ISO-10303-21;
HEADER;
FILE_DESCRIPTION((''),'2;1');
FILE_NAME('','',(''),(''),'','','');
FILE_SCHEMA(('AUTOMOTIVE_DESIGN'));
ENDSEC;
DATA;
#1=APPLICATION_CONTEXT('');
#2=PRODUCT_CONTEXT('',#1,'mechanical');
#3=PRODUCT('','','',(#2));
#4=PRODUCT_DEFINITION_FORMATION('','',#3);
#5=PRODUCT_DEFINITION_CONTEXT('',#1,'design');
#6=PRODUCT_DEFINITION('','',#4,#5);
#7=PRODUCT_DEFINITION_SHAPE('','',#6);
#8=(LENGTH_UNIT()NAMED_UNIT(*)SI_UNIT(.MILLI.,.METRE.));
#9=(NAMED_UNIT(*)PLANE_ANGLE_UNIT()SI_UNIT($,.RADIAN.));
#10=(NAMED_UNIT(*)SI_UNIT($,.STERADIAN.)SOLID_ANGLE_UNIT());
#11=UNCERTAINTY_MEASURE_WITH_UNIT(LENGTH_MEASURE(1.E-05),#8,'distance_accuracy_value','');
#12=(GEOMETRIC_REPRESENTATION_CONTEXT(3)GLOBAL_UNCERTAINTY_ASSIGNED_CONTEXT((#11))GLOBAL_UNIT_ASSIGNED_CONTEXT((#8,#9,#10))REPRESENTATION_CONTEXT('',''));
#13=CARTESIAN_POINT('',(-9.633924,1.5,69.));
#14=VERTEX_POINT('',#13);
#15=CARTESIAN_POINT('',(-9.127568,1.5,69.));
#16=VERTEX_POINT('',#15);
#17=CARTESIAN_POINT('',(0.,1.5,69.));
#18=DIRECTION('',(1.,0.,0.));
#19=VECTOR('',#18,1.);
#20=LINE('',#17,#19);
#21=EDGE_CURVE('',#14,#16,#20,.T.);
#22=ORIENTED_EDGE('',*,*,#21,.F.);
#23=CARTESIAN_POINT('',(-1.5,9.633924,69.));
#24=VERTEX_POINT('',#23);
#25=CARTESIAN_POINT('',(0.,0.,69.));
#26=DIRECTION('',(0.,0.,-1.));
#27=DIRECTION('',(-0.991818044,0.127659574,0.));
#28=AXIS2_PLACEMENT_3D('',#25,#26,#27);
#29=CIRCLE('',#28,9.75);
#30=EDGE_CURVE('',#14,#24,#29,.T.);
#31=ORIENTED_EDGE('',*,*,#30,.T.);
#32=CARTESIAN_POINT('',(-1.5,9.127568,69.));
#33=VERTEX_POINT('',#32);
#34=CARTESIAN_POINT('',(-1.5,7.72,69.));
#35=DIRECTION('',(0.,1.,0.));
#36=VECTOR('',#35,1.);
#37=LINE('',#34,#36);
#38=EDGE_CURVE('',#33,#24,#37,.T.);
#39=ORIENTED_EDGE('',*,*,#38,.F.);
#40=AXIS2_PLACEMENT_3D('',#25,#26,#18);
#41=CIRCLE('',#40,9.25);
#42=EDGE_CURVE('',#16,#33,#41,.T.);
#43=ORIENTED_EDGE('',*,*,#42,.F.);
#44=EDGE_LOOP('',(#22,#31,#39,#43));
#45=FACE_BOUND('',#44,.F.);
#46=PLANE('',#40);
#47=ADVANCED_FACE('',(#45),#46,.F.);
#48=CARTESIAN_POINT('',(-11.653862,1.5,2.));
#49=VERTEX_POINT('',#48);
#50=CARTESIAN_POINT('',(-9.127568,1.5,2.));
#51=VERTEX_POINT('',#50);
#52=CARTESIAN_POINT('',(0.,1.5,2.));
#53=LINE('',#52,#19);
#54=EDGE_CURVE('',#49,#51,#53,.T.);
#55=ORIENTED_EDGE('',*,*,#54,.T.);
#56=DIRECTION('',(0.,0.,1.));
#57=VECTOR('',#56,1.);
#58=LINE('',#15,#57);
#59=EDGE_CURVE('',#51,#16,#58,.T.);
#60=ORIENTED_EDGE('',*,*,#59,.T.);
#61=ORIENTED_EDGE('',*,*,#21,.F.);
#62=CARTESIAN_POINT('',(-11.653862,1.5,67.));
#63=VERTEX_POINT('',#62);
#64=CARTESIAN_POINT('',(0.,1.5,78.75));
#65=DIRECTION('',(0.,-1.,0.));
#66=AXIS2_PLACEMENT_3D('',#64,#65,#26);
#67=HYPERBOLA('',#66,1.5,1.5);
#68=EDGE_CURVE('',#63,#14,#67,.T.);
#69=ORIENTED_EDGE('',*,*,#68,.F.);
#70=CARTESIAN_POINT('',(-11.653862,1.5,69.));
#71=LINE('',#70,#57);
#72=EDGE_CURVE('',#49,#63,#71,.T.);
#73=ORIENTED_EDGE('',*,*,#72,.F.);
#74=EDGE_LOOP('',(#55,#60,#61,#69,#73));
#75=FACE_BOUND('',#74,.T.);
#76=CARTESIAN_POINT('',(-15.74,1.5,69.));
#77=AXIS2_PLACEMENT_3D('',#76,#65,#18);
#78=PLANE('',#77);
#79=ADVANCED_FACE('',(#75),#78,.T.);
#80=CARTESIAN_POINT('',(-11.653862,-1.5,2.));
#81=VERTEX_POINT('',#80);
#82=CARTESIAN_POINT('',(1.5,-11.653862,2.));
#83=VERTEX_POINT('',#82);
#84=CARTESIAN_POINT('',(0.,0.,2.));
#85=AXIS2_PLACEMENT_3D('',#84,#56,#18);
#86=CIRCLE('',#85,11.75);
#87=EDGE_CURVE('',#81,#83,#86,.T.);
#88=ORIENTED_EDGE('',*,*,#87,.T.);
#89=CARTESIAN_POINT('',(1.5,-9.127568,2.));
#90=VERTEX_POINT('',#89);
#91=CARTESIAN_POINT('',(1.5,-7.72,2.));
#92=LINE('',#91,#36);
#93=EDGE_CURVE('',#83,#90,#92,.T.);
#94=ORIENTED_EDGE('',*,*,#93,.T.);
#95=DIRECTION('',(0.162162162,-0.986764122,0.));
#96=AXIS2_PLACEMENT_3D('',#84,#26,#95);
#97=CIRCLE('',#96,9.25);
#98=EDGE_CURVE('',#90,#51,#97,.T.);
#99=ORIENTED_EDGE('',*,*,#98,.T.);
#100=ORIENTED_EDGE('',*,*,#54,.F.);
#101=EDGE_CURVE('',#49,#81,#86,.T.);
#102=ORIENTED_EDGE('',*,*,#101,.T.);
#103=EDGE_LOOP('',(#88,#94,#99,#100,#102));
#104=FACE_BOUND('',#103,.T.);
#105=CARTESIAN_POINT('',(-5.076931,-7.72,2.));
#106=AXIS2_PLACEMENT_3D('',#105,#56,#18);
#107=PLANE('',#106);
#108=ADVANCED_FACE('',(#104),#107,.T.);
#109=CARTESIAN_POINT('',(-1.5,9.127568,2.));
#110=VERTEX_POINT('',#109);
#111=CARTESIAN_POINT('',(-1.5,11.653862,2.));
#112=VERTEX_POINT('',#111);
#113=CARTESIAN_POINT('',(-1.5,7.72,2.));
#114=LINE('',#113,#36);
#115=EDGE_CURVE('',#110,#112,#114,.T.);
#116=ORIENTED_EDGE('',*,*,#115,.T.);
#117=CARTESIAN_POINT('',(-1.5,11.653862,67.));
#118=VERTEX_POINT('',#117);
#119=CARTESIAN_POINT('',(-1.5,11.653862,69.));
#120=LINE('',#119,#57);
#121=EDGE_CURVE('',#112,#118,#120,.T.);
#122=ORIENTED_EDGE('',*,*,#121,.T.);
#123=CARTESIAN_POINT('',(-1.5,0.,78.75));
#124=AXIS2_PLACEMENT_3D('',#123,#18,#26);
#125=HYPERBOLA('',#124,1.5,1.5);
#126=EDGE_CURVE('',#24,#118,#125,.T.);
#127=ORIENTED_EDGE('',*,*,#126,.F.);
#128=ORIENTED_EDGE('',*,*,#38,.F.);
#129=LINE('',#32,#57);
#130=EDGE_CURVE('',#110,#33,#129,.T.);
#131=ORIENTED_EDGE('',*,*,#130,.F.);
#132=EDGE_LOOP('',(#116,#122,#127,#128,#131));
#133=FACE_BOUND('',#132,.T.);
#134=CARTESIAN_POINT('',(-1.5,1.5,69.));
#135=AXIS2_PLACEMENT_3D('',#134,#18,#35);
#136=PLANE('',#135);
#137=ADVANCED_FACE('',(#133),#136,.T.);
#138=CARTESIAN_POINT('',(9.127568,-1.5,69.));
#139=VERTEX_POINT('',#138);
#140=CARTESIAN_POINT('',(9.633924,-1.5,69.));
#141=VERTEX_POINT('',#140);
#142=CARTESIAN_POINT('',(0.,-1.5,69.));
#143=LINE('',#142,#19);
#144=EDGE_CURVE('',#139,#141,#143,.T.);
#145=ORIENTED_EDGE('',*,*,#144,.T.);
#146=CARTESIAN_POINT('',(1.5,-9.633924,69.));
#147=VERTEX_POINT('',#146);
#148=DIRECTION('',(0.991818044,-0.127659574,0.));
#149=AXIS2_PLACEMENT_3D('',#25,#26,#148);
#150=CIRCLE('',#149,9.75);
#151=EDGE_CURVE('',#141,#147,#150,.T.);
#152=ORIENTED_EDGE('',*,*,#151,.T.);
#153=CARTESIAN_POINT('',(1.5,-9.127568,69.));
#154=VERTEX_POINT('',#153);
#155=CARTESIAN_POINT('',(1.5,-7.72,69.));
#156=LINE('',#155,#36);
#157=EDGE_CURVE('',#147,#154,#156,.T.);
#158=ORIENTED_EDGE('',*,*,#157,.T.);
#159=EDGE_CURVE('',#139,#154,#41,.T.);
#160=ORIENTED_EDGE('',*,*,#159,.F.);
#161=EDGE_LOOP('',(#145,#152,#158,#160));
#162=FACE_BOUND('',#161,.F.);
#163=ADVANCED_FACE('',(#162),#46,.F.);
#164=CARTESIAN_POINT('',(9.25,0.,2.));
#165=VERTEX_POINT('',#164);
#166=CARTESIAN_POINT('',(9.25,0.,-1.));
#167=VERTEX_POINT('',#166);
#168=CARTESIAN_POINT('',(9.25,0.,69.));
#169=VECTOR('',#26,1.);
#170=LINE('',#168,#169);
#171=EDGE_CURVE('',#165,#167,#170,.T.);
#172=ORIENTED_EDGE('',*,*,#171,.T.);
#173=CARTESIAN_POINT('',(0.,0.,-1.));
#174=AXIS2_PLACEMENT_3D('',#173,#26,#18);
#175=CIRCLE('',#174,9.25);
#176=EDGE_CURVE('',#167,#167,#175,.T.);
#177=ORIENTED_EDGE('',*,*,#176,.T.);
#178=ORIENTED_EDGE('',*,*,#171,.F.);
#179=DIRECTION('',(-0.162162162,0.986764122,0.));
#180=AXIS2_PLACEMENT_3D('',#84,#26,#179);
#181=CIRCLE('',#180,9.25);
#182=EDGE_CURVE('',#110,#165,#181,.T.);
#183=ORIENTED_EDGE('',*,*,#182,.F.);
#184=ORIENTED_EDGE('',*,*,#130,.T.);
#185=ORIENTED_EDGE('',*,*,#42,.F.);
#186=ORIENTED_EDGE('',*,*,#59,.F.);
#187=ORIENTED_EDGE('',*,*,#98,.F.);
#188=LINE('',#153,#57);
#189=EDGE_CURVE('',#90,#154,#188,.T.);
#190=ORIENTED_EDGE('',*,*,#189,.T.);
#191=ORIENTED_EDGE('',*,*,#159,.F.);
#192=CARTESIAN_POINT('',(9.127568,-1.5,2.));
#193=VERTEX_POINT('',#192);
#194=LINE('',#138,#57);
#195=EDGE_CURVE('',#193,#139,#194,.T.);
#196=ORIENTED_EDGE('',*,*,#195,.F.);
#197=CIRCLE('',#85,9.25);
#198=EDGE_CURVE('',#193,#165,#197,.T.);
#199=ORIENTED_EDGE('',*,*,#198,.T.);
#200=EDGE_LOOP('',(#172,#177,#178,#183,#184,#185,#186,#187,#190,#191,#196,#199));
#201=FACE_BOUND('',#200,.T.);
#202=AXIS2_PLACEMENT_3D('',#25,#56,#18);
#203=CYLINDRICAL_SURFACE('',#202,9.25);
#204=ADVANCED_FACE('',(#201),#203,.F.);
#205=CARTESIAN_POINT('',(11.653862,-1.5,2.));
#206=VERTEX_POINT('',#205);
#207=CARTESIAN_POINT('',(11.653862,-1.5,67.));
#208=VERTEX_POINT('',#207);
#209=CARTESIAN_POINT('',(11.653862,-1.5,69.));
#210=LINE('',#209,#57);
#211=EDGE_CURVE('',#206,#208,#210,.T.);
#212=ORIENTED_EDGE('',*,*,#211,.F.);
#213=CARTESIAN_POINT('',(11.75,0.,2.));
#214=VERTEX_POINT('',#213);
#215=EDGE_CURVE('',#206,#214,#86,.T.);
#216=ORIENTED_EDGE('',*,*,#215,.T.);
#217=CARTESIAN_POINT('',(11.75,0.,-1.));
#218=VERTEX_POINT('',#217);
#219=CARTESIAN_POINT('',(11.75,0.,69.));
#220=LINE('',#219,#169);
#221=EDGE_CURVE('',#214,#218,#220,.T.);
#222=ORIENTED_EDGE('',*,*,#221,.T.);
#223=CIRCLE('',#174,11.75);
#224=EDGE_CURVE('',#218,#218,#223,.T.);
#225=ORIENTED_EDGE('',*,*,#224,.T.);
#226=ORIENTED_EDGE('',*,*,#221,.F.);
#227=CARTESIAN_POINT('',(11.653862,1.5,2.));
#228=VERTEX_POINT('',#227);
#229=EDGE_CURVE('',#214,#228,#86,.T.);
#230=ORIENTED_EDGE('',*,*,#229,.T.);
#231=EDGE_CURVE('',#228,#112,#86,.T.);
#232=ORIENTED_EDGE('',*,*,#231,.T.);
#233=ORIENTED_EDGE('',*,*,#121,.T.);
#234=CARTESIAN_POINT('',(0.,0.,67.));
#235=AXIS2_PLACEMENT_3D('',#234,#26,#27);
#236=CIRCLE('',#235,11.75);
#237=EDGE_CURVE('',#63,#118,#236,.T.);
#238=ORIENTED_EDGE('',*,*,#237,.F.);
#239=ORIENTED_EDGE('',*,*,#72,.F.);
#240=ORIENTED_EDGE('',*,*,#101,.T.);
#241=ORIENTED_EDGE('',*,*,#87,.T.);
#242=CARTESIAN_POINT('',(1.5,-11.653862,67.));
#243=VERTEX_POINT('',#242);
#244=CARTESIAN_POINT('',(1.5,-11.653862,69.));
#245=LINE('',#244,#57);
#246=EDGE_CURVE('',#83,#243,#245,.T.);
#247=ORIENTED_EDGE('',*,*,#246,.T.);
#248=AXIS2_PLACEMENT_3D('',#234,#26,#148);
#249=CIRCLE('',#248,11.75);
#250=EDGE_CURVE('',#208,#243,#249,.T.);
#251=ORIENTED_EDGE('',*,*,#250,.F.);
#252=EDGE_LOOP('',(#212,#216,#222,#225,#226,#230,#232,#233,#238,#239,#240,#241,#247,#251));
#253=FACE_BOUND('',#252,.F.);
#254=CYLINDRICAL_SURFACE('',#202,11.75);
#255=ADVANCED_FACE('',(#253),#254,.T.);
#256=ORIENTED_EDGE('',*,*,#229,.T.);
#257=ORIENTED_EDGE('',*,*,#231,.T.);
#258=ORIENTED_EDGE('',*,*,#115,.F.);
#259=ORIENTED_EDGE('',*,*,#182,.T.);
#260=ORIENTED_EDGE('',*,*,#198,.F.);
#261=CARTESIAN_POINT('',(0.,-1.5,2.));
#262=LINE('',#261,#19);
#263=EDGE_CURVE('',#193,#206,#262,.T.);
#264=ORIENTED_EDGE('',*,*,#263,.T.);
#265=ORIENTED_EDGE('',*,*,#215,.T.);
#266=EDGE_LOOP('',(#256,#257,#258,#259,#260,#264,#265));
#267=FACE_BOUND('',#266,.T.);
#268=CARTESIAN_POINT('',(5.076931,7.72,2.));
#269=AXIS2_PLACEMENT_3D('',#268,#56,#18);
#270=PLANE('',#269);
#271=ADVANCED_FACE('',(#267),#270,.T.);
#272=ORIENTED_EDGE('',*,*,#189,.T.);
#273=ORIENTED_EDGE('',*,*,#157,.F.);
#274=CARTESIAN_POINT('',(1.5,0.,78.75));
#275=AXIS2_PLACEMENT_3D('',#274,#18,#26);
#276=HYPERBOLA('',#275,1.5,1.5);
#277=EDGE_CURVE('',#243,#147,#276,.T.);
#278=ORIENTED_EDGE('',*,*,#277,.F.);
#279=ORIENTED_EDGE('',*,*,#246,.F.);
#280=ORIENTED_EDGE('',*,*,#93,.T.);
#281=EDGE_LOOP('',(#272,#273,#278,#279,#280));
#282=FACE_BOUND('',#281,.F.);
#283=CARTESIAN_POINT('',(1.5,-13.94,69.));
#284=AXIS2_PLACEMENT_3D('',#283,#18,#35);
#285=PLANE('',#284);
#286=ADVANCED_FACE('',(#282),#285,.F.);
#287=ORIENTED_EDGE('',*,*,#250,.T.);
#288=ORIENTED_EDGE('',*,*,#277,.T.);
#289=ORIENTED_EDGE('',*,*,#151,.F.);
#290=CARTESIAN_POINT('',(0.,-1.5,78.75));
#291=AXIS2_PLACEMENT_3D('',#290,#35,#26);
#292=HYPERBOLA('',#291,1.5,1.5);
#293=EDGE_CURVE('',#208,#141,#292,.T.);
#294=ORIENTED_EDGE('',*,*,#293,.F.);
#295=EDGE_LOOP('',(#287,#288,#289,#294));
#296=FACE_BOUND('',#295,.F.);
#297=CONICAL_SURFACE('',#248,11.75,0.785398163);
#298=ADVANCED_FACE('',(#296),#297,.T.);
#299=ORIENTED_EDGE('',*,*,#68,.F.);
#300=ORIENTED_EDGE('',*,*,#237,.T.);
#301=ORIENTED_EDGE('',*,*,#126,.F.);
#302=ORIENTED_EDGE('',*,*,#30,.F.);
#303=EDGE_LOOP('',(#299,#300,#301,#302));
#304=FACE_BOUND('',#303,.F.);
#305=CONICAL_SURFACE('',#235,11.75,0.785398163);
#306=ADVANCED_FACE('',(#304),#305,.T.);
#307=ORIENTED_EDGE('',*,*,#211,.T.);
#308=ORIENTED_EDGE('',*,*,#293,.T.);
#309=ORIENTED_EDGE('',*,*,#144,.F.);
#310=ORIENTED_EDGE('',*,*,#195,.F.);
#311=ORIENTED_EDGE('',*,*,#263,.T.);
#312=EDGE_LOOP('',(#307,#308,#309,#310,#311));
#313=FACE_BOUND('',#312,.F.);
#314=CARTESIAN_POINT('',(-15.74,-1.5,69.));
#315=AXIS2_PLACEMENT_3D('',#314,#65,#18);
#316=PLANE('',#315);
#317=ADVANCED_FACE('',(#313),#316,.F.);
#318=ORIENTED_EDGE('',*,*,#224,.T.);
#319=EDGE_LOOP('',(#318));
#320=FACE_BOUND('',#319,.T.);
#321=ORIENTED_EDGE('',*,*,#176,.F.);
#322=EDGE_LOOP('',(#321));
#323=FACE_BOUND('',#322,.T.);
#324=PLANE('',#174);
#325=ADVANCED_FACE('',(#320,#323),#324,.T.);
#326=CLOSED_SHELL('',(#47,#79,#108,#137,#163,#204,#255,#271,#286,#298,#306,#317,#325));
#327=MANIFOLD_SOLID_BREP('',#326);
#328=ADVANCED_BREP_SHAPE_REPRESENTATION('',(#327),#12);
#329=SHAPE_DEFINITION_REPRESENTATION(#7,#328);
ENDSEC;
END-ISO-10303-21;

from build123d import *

# Parameters (mm, degrees)
SKETCH023_R             = 11.75
SKETCH023_R_2           = 9.25
PAD015_DEPTH            = 70
SKETCH025_W             = 31.48
SKETCH025_H             = 3
POCKET007_DEPTH         = 67
CHAMFER006_SIZE         = 2
SKETCH024_W             = 13.153862
SKETCH024_H             = 12.44
POCKET006_DEPTH         = 67
BODY013_PLACEMENT_ANGLE = 180


with BuildPart() as part:
    # Sketch023 → Pad015 (new body)
    with BuildSketch(Plane.XY):
        Circle(SKETCH023_R)
        Circle(SKETCH023_R_2, mode=Mode.SUBTRACT)
    extrude(amount=PAD015_DEPTH)

    # Sketch025 (on Face3 of Pad015) → Pocket007 (cut)
    with BuildSketch(Plane(origin=(0, 0, 0), x_dir=(1, 0, 0), z_dir=(0, 0, -1))):
        Rectangle(SKETCH025_W, SKETCH025_H)
    extrude(amount=-POCKET007_DEPTH, mode=Mode.SUBTRACT)

    # Chamfer006
    chamfer006_edges = [part.edges().sort_by_distance(p)[0] for p in [
        (0, 11.75, 0),
        (0, -11.75, 0),
    ]]
    chamfer(chamfer006_edges, length=CHAMFER006_SIZE)

    # Sketch024 (on Face11 of Chamfer006) → Pocket006 (cut)
    with BuildSketch(Plane(origin=(0, 0, 0), x_dir=(1, 0, 0), z_dir=(0, 0, -1))):
        with Locations((5.076931, 7.72)):
            Rectangle(SKETCH024_W, SKETCH024_H)
        with Locations((-5.076931, -7.72)):
            Rectangle(SKETCH024_W, SKETCH024_H)
    extrude(amount=-POCKET006_DEPTH, mode=Mode.SUBTRACT)


with BuildPart() as part_1:
    # Body013 placement: moved
    add(part.part.moved(Location((0, 0, 69))).rotate(Axis((0, 0, 69), (1, 0, 0)), BODY013_PLACEMENT_ANGLE))


solid = part_1.part
